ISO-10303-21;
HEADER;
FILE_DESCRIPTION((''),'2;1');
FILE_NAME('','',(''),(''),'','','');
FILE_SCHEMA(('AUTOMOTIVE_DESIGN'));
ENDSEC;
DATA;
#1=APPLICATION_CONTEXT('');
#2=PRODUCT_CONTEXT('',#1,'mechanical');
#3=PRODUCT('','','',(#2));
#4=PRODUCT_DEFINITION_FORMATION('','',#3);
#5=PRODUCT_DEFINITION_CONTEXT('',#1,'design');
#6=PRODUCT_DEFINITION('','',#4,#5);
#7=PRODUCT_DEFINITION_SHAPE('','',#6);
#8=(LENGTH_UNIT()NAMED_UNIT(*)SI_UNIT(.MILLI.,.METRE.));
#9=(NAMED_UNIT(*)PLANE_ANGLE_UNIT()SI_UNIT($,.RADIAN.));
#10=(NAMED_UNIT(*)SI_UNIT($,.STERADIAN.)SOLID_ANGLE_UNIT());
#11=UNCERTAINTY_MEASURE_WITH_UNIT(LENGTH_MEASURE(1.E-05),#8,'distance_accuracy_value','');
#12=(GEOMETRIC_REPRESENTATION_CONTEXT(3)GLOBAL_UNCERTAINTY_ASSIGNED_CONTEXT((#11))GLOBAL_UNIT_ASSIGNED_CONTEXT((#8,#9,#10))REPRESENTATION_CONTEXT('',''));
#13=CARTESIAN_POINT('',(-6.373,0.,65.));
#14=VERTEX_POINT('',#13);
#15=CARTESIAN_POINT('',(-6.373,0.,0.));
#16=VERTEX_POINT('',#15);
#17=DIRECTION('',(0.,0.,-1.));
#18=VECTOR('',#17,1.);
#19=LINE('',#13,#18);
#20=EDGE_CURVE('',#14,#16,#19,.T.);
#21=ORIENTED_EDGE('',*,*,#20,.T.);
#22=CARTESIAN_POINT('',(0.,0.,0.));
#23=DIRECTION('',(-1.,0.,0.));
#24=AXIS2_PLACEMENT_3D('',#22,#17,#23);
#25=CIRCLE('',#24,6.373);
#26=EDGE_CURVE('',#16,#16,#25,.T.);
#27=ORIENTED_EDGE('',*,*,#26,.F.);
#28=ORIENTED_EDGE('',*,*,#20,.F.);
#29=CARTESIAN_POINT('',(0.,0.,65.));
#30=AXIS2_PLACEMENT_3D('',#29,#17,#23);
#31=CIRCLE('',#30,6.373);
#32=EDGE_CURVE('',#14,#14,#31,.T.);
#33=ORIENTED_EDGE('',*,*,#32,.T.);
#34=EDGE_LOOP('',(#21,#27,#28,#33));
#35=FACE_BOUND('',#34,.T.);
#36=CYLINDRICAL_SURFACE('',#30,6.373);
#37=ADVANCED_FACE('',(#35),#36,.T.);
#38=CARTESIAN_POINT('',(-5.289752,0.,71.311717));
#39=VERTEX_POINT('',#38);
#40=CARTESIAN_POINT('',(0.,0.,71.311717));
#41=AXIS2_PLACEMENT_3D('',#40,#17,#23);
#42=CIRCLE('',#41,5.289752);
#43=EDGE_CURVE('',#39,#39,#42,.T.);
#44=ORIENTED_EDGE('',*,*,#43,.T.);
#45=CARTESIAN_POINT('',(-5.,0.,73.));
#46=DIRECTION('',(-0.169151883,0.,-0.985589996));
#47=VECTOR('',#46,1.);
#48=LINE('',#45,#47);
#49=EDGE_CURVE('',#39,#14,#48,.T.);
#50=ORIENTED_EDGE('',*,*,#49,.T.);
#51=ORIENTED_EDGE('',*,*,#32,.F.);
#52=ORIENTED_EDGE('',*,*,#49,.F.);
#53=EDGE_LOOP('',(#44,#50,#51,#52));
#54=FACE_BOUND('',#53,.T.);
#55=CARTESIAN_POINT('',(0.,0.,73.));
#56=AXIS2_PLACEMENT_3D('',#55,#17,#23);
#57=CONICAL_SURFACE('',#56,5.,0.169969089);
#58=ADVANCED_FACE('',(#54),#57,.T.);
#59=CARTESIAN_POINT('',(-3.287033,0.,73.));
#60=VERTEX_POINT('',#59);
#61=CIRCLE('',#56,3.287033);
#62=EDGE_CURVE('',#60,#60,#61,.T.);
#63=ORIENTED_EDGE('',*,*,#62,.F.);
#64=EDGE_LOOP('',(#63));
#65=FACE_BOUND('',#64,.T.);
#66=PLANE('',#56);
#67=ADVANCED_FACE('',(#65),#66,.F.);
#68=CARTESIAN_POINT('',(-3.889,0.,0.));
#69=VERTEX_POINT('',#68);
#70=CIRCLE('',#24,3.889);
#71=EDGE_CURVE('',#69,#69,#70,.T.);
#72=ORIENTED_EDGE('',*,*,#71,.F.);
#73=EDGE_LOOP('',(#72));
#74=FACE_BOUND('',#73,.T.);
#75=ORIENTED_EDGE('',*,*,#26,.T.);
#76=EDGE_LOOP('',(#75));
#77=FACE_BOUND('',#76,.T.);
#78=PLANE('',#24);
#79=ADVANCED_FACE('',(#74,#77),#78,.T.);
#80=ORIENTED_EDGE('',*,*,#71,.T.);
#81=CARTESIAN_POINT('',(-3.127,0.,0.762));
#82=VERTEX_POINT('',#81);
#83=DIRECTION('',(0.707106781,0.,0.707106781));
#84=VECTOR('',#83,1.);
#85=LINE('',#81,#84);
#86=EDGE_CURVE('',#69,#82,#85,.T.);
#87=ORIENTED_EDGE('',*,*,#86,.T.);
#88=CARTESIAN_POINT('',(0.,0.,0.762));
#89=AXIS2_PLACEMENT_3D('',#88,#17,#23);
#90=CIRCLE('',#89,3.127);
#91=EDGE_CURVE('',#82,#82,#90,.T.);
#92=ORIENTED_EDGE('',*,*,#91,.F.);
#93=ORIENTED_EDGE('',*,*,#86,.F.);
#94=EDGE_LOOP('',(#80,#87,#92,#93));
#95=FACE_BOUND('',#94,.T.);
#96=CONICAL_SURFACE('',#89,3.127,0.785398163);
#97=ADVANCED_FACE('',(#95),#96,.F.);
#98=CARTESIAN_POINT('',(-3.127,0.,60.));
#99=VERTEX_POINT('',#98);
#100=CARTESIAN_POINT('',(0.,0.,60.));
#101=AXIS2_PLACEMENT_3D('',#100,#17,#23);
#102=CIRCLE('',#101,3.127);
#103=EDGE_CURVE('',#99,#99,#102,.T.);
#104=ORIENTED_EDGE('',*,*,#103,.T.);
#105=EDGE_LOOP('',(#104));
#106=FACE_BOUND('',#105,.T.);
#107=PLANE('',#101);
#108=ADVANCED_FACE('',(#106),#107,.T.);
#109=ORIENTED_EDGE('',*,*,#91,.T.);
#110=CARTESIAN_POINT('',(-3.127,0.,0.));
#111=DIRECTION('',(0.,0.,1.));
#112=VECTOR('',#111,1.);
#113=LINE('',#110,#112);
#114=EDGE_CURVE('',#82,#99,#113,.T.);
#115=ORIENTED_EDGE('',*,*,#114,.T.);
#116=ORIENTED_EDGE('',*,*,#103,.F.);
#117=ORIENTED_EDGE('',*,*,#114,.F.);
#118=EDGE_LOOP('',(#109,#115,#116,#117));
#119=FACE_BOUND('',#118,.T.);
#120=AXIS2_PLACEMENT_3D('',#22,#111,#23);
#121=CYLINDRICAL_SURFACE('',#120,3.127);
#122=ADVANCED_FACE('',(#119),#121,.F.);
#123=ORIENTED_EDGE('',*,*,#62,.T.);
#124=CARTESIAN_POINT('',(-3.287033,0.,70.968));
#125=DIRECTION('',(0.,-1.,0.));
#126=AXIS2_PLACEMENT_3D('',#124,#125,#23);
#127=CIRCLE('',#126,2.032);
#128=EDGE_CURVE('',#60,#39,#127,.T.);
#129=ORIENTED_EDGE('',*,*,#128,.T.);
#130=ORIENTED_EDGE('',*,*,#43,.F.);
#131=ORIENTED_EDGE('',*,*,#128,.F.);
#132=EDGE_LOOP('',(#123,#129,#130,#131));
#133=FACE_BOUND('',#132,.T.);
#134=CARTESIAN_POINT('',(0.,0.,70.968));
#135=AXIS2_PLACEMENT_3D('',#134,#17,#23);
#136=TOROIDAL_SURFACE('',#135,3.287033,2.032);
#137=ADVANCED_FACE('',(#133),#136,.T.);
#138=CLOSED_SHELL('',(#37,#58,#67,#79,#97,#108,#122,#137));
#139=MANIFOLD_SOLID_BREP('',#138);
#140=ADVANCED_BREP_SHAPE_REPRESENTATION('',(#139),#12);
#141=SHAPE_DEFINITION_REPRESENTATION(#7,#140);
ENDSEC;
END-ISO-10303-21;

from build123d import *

# Parameters (mm, degrees)
F2_R    = 2.032
F3_SIZE = 0.762


with BuildPart() as f1:
    # F0 (on Front) → F1 (revolve)
    with BuildSketch(Plane.XZ):
        Polygon((-6.373, 65), (-6.373, 0), (-3.127, 0), (-3.127, 60), (0, 60), (0, 73), (-5, 73), align=None)
    revolve(axis=Axis((0, 0, 66.5), (0, 0, -1)))

    # F2
    f2_edges = [f1.edges().sort_by_distance(p)[0] for p in [
        (5, 0, 73),
    ]]
    fillet(f2_edges, radius=F2_R)

    # F3
    f3_edges = [f1.edges().sort_by_distance(p)[0] for p in [
        (3.127, 0, 0),
    ]]
    chamfer(f3_edges, length=F3_SIZE)


solid = f1.part
